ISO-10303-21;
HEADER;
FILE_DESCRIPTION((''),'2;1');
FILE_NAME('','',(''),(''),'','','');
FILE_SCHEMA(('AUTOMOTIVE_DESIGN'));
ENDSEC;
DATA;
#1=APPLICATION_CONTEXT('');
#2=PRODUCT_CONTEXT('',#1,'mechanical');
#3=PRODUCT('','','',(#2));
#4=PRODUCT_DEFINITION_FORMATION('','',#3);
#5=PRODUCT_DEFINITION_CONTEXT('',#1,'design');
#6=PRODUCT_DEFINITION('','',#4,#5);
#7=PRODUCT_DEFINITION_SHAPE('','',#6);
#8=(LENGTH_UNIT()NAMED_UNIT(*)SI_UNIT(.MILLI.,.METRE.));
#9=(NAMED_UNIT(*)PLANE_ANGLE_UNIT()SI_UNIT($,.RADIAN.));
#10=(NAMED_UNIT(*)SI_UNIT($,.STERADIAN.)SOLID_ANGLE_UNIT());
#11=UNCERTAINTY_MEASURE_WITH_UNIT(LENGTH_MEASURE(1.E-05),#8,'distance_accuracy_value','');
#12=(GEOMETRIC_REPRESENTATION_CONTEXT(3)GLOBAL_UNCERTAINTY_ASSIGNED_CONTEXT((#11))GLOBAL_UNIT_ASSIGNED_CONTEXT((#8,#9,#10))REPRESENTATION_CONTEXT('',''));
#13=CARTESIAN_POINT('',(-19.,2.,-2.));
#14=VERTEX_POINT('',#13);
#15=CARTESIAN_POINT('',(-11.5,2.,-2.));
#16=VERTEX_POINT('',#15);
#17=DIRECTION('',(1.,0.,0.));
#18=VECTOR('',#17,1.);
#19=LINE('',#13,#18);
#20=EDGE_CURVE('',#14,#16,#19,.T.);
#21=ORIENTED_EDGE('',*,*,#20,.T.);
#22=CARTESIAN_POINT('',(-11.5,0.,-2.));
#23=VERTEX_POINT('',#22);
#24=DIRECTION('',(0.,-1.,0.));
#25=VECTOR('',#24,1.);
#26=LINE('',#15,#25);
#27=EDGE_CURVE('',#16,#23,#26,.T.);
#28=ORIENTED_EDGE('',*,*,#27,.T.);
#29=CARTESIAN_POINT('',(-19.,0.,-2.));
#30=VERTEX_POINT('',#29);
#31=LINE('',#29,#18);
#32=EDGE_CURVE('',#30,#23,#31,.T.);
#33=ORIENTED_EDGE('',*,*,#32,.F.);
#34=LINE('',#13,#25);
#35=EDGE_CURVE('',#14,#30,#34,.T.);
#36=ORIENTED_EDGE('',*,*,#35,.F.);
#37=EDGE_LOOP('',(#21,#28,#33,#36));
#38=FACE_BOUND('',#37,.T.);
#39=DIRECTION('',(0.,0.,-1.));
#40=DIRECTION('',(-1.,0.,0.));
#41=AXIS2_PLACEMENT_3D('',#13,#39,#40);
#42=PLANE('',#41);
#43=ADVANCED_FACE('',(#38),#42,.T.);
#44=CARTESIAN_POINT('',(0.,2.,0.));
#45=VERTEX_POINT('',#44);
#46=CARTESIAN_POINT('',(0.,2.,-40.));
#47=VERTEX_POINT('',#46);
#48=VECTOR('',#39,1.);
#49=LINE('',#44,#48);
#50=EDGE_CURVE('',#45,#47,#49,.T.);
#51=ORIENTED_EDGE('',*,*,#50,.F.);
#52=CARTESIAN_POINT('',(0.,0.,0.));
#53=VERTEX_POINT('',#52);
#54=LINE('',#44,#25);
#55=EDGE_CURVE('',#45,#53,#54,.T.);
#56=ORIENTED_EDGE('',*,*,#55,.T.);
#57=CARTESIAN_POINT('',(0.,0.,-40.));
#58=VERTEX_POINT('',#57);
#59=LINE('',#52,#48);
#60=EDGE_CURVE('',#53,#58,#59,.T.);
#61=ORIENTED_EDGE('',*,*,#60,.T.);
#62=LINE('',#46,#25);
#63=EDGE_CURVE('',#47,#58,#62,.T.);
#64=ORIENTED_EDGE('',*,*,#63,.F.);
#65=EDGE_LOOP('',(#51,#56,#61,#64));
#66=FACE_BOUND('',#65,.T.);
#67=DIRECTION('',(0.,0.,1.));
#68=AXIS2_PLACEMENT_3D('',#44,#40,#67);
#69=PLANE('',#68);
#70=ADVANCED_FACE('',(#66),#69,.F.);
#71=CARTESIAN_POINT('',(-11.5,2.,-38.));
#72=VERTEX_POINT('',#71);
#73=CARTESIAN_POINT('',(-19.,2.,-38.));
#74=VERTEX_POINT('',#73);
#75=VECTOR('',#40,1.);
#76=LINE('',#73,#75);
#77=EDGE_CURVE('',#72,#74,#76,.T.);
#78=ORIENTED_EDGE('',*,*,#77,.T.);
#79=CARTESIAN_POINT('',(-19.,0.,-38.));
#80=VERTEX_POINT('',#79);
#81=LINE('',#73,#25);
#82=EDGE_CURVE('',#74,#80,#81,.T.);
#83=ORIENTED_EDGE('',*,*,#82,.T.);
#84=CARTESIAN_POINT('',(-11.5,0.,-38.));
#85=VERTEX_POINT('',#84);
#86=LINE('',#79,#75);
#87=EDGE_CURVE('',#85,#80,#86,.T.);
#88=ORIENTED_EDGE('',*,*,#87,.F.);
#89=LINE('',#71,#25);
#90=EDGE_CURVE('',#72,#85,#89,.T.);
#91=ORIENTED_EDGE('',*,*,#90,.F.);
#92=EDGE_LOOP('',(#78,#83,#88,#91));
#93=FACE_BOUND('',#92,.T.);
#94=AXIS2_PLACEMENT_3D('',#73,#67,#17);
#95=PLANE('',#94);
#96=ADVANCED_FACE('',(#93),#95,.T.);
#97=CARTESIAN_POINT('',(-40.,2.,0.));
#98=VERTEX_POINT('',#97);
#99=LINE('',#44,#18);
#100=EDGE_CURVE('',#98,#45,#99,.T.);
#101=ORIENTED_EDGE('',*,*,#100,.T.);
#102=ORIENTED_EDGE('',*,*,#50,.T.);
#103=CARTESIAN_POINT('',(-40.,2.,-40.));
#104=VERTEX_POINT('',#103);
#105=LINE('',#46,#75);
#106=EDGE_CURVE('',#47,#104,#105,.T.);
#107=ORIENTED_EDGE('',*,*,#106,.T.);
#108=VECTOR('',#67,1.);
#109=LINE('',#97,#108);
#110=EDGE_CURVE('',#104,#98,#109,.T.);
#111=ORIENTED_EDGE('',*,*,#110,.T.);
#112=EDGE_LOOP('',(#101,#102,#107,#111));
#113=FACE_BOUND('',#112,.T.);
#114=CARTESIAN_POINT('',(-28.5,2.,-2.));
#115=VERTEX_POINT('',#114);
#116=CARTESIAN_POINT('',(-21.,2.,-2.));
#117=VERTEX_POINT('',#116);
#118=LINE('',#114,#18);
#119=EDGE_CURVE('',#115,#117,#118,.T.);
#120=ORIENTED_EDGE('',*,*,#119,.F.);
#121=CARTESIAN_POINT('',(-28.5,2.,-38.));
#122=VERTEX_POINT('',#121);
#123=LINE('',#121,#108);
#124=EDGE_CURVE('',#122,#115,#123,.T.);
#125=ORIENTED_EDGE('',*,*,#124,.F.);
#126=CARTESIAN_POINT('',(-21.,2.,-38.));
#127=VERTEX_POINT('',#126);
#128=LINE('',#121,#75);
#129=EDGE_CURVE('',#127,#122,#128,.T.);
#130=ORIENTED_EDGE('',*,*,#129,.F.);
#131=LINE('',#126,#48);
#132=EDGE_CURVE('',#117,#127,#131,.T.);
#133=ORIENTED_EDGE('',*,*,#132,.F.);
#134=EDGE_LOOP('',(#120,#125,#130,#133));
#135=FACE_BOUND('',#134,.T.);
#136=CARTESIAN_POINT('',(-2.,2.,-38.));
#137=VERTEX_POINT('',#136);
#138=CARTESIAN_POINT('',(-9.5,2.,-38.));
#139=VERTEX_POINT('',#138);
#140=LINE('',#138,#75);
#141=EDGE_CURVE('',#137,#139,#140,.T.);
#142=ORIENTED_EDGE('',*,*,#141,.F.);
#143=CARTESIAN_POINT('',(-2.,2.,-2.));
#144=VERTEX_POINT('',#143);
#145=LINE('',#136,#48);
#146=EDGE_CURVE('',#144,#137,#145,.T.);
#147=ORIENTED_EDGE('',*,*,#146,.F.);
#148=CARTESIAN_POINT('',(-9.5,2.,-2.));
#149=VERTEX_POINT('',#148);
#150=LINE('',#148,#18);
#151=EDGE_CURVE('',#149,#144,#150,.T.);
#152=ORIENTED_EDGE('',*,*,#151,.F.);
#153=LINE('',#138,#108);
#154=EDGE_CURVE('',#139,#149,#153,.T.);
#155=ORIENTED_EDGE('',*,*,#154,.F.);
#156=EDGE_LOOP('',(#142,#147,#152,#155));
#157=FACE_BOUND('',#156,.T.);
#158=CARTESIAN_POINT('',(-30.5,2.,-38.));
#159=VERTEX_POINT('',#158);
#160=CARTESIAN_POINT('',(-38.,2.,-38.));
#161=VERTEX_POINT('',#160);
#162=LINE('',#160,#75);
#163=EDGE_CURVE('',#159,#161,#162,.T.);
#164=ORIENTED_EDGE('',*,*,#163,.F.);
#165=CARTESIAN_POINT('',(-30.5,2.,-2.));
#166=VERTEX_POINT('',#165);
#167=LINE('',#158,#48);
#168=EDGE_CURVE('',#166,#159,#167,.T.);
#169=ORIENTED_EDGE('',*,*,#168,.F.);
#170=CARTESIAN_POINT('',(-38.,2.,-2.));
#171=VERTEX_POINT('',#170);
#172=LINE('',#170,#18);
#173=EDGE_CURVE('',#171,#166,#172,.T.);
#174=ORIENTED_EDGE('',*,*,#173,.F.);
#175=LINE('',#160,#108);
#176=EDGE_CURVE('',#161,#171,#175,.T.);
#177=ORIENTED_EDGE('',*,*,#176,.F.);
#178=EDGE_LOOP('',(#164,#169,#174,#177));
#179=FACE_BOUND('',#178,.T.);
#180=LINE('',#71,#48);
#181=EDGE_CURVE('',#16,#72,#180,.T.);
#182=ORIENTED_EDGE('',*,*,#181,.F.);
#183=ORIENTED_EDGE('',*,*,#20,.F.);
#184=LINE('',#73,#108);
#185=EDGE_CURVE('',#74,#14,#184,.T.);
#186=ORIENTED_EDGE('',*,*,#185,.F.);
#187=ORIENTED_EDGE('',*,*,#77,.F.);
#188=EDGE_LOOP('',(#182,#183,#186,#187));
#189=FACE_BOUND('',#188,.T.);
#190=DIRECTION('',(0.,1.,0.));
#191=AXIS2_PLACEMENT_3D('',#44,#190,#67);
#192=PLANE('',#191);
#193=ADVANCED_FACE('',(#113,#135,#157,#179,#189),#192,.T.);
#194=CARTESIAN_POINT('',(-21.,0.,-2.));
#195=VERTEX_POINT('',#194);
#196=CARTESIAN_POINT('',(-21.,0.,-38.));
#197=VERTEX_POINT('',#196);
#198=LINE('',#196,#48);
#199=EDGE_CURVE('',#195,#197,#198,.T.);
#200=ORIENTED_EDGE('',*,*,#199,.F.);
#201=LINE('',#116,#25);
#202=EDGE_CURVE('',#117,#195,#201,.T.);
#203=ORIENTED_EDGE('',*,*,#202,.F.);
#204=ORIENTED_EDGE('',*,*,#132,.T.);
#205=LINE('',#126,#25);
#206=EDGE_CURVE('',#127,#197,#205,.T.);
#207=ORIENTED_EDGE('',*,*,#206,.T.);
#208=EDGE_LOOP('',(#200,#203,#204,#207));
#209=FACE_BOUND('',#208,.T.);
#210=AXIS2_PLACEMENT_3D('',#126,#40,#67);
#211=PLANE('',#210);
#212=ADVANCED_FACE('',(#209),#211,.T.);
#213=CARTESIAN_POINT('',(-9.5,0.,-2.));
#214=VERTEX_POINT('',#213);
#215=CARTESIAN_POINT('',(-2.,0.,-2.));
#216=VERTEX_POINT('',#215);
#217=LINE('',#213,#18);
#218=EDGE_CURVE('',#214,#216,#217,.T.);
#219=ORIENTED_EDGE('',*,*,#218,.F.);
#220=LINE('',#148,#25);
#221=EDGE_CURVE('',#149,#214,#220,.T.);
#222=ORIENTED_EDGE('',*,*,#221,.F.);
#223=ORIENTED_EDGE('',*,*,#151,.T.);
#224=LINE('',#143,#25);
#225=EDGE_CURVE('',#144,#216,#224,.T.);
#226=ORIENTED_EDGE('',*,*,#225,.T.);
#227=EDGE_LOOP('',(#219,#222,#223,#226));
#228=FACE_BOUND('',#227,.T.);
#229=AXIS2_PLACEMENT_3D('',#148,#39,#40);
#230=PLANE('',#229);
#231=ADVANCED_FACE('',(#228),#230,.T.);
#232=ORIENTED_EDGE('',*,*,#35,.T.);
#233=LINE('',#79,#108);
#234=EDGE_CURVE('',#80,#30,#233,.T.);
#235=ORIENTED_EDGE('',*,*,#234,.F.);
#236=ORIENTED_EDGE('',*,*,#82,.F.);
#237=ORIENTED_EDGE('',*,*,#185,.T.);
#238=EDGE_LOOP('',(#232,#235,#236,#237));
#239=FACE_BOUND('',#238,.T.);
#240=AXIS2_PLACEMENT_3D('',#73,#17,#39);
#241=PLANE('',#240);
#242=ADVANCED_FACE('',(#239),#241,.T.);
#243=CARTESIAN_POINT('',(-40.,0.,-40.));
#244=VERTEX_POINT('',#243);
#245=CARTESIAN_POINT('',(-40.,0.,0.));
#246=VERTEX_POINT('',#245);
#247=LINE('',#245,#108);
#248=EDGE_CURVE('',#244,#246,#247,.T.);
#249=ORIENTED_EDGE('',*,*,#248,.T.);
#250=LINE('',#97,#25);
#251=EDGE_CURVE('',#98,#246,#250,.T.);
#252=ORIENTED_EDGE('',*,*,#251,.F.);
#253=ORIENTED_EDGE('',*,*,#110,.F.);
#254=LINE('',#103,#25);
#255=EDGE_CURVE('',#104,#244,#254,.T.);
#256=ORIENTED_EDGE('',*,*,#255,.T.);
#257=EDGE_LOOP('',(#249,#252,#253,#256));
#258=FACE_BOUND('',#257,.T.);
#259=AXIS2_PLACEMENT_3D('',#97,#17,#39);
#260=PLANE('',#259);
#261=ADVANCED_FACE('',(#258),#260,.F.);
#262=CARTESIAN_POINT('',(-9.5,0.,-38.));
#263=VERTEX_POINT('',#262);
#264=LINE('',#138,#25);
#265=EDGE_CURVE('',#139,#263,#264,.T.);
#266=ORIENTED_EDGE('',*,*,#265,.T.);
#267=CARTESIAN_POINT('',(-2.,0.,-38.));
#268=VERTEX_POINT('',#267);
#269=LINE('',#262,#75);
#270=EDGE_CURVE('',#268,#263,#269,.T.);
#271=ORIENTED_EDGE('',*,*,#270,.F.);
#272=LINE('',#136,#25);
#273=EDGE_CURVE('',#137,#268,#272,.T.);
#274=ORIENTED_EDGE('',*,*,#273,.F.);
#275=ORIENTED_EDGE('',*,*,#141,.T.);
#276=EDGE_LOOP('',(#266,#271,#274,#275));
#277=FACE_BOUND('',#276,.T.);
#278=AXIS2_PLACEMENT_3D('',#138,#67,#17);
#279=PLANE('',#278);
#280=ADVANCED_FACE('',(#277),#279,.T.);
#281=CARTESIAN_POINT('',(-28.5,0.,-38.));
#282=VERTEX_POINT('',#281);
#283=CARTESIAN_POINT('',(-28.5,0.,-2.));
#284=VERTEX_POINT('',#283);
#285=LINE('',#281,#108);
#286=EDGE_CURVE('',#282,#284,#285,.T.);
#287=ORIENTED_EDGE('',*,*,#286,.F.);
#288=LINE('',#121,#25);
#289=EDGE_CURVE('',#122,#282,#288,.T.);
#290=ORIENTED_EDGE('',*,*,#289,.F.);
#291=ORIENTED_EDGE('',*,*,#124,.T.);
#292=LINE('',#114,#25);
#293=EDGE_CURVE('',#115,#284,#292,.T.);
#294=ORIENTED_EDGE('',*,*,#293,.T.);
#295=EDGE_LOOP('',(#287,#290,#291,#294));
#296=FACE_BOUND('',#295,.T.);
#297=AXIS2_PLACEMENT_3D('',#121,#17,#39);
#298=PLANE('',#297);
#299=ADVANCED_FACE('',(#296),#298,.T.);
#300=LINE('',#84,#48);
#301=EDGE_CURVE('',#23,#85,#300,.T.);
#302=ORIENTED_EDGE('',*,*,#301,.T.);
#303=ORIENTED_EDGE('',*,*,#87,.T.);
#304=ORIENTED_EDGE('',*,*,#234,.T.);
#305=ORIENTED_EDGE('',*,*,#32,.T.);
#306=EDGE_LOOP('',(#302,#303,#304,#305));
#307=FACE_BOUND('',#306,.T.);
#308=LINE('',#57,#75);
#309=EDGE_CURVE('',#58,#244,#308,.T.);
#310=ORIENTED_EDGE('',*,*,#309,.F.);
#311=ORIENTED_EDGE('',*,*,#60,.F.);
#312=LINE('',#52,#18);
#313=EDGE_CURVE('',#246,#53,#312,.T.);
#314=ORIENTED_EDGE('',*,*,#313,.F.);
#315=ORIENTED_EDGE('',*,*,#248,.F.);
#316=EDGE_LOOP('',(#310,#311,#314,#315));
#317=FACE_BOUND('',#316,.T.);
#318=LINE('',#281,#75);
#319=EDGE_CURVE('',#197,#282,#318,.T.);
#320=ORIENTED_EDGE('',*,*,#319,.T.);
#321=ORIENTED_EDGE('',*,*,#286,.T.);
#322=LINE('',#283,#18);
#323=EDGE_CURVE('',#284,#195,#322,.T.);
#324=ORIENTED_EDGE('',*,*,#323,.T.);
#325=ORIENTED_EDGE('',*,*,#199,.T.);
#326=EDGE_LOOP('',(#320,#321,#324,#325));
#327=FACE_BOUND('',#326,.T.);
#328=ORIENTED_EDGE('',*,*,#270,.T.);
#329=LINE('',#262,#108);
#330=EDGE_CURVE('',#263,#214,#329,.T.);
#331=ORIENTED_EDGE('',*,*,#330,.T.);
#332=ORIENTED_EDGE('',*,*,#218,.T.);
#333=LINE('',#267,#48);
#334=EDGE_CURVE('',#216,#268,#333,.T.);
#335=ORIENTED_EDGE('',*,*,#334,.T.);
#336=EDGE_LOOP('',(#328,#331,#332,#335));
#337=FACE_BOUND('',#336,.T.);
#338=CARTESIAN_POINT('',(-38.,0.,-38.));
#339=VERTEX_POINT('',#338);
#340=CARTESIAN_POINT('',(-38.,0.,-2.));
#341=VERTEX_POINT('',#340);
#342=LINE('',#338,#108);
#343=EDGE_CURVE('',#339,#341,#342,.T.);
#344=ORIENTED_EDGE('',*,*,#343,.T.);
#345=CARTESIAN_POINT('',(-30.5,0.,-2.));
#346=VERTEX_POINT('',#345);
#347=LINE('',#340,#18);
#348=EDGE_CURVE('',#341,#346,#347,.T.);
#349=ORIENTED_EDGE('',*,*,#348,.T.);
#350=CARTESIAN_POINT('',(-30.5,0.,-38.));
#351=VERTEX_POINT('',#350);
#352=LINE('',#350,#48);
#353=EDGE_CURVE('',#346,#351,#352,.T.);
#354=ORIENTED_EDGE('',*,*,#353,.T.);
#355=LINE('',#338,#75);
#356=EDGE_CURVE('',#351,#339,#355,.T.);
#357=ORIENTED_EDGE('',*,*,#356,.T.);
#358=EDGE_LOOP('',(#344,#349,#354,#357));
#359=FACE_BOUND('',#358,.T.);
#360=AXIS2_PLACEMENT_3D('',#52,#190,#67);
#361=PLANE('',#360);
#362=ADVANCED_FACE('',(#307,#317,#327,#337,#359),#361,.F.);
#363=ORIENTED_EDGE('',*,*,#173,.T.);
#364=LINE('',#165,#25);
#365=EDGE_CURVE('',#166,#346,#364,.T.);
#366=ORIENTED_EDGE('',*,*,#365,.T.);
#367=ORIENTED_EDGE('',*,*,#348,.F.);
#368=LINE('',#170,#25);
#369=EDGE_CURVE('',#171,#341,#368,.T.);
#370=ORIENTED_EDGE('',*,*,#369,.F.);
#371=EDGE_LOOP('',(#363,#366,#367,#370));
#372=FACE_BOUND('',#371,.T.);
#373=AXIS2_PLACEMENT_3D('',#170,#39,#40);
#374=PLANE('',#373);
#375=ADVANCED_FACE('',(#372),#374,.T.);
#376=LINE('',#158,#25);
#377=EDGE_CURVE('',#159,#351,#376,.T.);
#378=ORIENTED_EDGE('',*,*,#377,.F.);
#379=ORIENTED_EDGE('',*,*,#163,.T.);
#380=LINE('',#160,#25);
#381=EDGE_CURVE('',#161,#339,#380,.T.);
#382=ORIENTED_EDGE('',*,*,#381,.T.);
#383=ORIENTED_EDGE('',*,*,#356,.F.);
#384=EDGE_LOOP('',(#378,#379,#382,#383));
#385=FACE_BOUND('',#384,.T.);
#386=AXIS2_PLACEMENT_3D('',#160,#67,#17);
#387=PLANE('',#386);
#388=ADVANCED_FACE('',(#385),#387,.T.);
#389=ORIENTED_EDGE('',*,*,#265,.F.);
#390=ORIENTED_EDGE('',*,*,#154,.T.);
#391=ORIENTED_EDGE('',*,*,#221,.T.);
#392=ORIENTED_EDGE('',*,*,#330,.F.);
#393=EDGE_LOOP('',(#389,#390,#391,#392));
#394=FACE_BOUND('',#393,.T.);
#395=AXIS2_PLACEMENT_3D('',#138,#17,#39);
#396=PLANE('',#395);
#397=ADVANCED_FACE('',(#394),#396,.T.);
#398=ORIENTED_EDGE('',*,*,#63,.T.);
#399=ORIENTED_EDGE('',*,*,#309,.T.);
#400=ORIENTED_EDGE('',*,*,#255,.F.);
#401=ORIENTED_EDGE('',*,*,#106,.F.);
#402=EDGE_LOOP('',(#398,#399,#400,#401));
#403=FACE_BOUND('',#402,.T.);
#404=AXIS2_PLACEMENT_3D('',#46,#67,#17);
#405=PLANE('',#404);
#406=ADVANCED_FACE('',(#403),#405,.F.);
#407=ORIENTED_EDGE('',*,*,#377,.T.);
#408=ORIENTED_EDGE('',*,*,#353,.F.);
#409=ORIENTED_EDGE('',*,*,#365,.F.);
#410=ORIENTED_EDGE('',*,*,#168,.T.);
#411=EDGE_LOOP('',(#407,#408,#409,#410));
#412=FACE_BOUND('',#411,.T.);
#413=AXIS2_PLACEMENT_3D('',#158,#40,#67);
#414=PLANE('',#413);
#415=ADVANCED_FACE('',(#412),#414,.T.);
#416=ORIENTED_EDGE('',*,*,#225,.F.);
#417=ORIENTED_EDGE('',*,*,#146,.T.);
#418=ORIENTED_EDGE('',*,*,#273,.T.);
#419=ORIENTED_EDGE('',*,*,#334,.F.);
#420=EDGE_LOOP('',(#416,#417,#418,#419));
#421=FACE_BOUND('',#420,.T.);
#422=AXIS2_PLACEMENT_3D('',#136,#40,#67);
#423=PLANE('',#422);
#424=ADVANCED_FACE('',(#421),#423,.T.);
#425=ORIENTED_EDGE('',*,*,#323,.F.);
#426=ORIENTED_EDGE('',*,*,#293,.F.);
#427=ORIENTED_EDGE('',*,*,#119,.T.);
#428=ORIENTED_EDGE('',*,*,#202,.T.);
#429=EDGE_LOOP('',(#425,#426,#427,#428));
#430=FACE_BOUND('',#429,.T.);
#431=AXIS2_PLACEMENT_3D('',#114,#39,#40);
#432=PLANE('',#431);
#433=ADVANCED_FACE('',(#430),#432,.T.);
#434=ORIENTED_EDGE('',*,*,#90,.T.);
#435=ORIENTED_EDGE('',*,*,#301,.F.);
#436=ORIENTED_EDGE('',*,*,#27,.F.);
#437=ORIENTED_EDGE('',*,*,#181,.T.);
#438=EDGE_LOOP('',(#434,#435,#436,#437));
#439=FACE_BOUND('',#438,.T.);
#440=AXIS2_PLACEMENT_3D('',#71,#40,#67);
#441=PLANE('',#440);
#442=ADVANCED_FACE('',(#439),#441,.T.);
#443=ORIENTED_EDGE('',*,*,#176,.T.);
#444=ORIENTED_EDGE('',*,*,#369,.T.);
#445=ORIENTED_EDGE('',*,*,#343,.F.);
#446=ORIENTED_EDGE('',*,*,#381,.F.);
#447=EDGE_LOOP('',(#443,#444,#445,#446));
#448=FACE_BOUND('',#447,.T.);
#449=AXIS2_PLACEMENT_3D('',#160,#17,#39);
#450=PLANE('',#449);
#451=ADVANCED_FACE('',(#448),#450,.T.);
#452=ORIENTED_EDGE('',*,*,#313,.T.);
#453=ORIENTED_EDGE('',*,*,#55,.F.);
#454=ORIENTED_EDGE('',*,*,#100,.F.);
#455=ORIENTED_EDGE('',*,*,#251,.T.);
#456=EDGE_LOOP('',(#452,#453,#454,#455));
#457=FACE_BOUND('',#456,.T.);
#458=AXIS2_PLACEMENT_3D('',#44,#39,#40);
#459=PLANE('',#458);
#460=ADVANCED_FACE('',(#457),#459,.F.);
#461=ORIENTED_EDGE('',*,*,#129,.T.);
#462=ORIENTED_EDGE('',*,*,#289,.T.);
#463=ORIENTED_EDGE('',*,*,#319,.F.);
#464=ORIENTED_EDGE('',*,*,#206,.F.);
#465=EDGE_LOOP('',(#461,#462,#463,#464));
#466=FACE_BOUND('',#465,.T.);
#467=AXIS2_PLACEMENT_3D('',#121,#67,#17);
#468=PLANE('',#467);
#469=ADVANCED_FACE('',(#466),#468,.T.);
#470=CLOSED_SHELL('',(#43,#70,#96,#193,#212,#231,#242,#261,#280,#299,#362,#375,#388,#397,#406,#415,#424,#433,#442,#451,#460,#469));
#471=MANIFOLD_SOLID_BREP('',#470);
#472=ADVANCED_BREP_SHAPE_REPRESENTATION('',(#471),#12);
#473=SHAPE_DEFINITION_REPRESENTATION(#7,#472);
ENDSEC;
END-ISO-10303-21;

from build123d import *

# Parameters (mm, degrees)
SKETCH3_W           = 40
SKETCH3_H           = 40
SKETCH3_W_2         = 7.5
SKETCH3_H_2         = 36
BOSS_EXTRUDE2_DEPTH = 2


with BuildPart() as part:
    # Sketch3 → Boss-Extrude2 (new body)
    with BuildSketch(Plane(origin=(0, 0, 0), x_dir=(1, 0, 0), z_dir=(0, 1, 0))):
        with Locations((-20, 20)):
            Rectangle(SKETCH3_W, SKETCH3_H)
        with Locations((-24.75, 20)):
            Rectangle(SKETCH3_W_2, SKETCH3_H_2, mode=Mode.SUBTRACT)
        with Locations((-34.25, 20)):
            Rectangle(SKETCH3_W_2, SKETCH3_H_2, mode=Mode.SUBTRACT)
        with Locations((-15.25, 20)):
            Rectangle(SKETCH3_W_2, SKETCH3_H_2, mode=Mode.SUBTRACT)
        with Locations((-5.75, 20)):
            Rectangle(SKETCH3_W_2, SKETCH3_H_2, mode=Mode.SUBTRACT)
    extrude(amount=BOSS_EXTRUDE2_DEPTH)


solid = part.part
